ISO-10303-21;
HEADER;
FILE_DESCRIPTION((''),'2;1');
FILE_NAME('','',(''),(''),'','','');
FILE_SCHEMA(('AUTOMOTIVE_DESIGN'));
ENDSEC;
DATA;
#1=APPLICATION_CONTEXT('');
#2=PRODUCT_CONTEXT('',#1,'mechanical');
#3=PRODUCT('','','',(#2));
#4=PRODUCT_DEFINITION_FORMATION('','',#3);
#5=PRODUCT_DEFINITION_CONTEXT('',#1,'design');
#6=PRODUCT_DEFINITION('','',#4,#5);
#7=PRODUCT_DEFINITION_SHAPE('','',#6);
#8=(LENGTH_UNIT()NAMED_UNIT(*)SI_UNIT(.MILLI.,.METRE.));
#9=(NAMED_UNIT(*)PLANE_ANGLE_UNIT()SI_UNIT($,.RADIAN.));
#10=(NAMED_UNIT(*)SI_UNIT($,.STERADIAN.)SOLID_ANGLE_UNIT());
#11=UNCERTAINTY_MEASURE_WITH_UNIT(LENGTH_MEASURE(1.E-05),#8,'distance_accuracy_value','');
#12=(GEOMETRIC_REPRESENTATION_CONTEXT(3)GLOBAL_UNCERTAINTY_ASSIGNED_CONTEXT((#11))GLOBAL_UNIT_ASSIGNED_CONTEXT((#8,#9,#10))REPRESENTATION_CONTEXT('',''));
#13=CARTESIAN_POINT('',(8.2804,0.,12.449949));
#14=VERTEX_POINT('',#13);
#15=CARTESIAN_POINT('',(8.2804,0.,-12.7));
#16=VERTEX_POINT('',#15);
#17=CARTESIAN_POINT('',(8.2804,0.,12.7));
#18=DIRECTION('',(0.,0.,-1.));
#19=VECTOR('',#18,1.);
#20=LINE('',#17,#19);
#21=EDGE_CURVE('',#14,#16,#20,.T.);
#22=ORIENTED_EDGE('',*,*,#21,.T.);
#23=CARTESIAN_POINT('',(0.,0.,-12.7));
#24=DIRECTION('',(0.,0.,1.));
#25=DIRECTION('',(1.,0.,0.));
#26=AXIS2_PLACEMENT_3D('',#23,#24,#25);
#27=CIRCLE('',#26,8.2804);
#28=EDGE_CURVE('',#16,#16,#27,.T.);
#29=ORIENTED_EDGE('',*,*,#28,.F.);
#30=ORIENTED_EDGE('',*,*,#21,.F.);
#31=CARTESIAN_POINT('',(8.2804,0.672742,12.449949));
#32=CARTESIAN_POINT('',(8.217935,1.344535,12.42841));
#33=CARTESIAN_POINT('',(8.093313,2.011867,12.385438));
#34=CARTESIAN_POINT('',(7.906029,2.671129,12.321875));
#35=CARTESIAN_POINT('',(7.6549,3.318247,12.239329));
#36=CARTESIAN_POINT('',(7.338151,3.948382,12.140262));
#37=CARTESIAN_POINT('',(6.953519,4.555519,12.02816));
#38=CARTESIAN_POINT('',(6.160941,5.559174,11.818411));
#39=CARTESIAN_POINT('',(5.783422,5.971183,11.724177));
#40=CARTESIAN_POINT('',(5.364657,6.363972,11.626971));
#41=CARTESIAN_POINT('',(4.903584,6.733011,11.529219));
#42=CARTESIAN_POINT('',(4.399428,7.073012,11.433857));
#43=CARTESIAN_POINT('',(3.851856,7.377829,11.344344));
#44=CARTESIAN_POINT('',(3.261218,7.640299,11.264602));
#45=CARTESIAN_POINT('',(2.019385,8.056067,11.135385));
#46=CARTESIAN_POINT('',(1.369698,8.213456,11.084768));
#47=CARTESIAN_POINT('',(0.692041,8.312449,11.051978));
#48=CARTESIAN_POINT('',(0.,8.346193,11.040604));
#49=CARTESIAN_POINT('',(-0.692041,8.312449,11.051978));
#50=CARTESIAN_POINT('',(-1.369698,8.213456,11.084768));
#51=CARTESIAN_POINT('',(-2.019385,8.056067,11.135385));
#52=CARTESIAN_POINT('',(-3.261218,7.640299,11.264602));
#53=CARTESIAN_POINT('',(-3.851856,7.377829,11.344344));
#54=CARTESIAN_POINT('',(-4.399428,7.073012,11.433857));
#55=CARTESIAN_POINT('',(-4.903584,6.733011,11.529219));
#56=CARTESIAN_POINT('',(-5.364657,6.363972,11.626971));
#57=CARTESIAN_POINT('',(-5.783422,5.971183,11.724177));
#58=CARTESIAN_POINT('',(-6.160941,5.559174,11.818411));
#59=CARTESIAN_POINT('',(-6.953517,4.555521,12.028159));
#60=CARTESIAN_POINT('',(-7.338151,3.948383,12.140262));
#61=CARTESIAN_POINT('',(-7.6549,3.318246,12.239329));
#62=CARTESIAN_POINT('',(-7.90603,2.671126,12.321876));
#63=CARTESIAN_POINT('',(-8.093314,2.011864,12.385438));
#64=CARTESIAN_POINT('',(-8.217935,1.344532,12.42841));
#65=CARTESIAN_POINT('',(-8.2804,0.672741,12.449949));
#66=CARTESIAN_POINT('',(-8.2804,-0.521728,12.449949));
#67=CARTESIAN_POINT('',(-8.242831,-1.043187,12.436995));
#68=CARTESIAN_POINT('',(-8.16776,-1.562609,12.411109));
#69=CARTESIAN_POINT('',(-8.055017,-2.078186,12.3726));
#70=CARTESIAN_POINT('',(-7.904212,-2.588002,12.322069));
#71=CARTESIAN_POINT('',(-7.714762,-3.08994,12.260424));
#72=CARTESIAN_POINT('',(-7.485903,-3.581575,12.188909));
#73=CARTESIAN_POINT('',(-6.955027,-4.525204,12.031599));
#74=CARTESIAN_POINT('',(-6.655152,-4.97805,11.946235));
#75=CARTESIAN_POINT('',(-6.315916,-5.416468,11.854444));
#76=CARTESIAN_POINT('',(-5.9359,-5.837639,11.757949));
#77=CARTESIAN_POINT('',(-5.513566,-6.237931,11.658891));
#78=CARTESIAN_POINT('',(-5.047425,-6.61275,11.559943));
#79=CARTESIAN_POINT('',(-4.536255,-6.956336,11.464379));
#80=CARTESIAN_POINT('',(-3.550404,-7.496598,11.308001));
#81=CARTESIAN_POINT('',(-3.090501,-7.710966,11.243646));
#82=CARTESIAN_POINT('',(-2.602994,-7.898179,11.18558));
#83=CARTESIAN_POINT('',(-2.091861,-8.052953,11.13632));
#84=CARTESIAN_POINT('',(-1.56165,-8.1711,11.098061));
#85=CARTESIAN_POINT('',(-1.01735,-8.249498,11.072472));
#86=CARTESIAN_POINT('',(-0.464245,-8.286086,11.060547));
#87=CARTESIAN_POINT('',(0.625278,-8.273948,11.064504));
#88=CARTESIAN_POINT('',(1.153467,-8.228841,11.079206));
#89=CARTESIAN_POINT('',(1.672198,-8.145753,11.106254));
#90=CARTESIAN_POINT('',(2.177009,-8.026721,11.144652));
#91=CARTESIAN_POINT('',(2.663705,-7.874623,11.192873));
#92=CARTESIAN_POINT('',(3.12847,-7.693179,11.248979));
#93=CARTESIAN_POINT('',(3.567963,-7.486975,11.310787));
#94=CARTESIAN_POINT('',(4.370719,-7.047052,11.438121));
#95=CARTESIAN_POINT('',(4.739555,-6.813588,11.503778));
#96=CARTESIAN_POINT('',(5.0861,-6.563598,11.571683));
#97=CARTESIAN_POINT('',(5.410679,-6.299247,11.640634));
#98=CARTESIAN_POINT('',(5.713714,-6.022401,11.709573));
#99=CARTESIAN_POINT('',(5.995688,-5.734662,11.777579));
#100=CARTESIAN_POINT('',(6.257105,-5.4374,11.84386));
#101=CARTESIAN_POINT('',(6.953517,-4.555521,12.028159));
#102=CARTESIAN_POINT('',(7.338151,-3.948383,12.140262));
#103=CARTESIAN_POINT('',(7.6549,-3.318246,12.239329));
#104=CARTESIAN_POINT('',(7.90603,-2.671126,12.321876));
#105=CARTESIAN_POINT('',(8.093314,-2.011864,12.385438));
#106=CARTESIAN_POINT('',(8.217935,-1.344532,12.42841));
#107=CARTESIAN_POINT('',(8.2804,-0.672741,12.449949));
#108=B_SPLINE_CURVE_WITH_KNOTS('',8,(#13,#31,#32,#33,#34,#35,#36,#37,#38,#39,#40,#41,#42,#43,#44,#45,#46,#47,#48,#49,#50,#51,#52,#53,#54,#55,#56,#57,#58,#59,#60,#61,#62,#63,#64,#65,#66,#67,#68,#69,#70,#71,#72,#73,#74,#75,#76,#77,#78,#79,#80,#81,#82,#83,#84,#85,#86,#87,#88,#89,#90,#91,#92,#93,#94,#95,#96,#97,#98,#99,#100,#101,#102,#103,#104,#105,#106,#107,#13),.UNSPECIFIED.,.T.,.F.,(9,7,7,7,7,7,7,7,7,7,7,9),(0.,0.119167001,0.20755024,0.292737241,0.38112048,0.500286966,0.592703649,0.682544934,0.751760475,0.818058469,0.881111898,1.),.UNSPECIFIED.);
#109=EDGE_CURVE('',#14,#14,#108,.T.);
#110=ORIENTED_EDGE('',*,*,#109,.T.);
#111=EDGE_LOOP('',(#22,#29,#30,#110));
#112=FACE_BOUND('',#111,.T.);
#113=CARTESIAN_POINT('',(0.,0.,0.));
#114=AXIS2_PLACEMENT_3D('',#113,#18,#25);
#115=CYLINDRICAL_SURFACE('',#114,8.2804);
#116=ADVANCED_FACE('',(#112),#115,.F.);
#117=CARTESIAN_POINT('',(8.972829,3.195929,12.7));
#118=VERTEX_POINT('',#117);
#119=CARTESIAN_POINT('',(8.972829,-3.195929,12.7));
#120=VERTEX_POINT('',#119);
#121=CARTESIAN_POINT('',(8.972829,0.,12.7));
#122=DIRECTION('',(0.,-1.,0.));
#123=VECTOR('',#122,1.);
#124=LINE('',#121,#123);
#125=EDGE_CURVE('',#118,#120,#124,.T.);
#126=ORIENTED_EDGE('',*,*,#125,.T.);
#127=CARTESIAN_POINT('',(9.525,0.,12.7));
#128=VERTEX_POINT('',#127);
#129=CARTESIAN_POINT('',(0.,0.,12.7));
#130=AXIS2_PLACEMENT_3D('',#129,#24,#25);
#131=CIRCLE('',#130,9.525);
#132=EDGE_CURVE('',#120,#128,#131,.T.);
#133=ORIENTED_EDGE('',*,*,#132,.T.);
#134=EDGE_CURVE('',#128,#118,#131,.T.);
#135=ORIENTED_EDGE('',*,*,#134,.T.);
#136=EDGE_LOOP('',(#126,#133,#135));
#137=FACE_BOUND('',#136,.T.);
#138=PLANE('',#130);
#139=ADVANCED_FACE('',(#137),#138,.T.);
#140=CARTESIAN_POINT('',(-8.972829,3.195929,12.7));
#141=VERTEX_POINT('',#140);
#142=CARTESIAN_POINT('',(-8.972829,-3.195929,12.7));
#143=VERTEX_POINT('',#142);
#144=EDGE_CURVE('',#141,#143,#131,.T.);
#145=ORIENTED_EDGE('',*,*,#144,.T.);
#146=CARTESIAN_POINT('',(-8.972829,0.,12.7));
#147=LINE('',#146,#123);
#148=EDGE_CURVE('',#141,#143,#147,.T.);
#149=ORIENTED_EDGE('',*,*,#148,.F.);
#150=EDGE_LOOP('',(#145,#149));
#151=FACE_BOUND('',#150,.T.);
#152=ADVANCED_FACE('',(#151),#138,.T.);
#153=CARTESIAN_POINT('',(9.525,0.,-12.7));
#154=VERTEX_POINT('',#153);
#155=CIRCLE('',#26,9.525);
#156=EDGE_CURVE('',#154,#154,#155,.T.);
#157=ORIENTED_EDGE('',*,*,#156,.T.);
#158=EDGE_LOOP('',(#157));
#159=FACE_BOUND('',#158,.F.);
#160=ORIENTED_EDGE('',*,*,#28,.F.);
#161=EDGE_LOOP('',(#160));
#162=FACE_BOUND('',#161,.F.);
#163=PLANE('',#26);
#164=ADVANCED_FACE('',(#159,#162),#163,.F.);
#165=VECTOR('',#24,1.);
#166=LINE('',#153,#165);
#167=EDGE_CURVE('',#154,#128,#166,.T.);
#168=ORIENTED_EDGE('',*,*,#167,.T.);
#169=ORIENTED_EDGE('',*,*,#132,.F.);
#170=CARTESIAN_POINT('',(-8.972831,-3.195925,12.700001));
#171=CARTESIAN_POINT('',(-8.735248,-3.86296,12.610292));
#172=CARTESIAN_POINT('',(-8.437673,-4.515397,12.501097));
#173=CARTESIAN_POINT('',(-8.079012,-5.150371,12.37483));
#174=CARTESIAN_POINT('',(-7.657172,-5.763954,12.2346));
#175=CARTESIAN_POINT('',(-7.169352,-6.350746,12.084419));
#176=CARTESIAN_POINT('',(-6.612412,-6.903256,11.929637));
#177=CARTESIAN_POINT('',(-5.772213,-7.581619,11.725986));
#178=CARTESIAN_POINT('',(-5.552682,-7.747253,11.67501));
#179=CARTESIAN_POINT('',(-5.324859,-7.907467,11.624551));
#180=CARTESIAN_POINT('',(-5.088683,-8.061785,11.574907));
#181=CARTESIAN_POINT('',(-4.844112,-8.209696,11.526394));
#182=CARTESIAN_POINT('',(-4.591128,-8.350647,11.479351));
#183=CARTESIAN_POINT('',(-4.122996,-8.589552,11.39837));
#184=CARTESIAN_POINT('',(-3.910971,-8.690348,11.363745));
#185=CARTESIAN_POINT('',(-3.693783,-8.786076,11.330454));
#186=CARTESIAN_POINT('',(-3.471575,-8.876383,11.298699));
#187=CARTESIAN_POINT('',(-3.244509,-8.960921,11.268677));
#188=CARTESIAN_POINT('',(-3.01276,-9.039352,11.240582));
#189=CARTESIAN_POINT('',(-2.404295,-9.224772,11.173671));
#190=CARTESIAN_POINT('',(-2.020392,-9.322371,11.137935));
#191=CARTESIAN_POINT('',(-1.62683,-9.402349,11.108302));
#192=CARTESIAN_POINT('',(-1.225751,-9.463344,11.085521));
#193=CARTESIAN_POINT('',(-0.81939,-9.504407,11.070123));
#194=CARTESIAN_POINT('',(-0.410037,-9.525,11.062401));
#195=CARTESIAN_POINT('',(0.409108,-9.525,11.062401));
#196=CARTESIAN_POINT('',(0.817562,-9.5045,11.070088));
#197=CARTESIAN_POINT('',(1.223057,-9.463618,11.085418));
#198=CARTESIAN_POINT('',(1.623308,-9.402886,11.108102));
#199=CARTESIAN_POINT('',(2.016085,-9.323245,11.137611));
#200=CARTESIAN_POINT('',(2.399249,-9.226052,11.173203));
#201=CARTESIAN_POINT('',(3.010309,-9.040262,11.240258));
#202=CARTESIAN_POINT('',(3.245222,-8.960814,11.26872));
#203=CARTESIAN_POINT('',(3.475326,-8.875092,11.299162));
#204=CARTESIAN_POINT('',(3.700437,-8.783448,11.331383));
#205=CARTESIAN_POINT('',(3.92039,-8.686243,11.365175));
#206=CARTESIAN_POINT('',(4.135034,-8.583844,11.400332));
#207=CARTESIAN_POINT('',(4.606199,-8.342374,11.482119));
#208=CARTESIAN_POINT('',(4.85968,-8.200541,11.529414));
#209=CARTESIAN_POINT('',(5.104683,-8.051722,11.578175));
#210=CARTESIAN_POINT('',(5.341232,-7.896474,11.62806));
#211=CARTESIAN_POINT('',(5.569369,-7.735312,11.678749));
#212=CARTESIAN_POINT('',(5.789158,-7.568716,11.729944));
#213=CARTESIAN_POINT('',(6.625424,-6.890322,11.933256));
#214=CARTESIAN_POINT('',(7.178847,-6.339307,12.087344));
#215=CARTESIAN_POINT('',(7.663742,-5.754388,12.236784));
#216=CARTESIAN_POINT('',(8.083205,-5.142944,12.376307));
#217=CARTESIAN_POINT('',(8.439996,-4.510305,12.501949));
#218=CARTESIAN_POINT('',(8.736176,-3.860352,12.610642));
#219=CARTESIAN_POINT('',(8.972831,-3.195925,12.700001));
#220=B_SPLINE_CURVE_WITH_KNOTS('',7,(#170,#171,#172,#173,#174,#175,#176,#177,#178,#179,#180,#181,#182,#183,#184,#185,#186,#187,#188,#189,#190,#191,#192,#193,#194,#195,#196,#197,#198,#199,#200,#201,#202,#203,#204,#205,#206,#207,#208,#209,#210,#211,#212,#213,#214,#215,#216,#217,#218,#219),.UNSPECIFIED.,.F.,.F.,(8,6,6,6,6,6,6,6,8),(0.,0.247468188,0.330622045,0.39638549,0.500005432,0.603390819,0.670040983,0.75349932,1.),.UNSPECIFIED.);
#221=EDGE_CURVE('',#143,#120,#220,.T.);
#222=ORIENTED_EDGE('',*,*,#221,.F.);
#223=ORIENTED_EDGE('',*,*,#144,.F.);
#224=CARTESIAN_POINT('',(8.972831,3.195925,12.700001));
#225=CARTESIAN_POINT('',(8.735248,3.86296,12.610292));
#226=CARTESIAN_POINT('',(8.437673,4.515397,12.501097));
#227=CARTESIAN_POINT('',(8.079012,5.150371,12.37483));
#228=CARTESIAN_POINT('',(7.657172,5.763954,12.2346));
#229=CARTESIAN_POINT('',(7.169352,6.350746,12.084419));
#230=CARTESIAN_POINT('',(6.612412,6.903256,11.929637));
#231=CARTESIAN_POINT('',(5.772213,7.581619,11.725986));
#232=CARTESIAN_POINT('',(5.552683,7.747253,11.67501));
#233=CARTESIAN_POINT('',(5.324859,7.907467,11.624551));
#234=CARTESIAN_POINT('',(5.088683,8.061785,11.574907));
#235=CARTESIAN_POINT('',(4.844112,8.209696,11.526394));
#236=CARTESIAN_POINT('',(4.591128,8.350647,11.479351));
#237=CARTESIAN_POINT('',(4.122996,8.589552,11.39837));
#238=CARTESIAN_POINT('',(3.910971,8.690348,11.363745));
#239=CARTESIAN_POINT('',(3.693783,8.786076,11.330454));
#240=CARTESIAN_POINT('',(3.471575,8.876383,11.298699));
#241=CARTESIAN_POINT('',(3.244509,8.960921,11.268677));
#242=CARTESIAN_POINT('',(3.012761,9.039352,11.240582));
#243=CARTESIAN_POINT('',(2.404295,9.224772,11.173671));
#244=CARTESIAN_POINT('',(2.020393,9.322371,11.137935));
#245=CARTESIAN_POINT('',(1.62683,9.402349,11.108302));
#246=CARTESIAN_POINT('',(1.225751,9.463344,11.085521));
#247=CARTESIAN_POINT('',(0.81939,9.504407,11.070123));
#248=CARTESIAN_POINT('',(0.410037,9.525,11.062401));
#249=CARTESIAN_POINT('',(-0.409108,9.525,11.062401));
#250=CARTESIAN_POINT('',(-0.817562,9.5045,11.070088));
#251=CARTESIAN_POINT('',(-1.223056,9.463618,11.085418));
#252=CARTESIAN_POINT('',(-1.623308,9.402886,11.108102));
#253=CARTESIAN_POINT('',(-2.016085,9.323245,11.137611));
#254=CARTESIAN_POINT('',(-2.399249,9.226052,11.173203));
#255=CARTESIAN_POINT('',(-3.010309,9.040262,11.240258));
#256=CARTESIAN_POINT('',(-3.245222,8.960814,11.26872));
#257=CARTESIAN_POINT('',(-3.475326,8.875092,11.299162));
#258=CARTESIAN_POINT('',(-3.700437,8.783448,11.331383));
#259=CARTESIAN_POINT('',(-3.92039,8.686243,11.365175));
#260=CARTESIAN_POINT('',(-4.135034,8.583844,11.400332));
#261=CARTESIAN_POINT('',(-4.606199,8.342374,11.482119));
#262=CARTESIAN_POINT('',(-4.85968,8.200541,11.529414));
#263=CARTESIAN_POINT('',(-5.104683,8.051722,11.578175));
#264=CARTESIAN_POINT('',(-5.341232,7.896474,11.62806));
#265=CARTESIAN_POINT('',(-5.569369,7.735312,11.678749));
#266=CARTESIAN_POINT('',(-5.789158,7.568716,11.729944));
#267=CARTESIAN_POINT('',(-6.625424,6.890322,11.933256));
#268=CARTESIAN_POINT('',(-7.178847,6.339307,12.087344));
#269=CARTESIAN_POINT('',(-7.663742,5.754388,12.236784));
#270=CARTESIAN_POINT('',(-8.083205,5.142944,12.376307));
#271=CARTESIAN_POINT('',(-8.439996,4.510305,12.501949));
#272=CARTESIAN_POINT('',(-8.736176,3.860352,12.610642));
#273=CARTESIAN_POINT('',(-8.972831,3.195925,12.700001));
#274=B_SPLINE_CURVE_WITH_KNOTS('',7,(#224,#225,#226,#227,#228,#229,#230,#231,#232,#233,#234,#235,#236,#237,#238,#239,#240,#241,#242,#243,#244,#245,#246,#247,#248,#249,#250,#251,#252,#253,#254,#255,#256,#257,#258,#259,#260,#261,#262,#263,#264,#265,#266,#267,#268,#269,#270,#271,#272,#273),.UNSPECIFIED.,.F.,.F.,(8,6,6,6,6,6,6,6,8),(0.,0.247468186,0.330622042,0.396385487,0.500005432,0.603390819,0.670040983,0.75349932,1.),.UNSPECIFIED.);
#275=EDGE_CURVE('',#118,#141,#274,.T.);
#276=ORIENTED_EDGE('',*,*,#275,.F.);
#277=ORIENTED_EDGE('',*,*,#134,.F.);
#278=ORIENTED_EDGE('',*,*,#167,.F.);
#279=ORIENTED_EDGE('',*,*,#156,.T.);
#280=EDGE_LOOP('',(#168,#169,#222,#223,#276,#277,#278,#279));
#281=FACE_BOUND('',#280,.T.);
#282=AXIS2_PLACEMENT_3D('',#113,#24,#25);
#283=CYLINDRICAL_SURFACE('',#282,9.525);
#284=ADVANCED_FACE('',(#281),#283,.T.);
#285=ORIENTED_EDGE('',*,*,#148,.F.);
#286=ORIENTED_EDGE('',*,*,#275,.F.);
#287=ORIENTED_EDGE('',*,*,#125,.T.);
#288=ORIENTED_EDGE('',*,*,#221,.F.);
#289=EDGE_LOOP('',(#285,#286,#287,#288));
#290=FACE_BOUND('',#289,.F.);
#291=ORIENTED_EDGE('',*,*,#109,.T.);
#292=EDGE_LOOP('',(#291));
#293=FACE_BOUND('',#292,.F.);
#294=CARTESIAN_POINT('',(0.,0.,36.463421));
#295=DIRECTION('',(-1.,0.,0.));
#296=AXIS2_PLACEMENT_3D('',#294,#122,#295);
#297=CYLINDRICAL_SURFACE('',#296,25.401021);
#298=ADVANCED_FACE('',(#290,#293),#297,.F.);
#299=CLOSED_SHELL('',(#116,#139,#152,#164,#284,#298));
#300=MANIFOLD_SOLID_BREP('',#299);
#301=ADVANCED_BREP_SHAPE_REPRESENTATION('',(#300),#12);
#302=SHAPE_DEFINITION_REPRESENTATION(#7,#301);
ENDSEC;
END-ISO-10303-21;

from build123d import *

# Parameters (mm, degrees)
F0_R     = 9.525
F0_R_2   = 8.2804
F1_DEPTH = 12.7
F3_DEPTH = 12.7


with BuildPart() as f1:
    # F0 (on Top) → F1 (new body, symmetric)
    with BuildSketch(Plane.XY):
        Circle(F0_R)
        Circle(F0_R_2, mode=Mode.SUBTRACT)
    extrude(amount=F1_DEPTH, both=True)

    # F2 (on Front) → F3 (cut, symmetric)
    with BuildSketch(Plane.XZ):
        with BuildLine():
            Line((25.4010208358, 36.463421452), (-25.4010208358, 36.463421452))
            ThreePointArc((-25.4010208358, 36.463421452), (0, 11.0624006163), (25.4010208358, 36.463421452))
        make_face()
    extrude(amount=F3_DEPTH, both=True, mode=Mode.SUBTRACT)


solid = f1.part
